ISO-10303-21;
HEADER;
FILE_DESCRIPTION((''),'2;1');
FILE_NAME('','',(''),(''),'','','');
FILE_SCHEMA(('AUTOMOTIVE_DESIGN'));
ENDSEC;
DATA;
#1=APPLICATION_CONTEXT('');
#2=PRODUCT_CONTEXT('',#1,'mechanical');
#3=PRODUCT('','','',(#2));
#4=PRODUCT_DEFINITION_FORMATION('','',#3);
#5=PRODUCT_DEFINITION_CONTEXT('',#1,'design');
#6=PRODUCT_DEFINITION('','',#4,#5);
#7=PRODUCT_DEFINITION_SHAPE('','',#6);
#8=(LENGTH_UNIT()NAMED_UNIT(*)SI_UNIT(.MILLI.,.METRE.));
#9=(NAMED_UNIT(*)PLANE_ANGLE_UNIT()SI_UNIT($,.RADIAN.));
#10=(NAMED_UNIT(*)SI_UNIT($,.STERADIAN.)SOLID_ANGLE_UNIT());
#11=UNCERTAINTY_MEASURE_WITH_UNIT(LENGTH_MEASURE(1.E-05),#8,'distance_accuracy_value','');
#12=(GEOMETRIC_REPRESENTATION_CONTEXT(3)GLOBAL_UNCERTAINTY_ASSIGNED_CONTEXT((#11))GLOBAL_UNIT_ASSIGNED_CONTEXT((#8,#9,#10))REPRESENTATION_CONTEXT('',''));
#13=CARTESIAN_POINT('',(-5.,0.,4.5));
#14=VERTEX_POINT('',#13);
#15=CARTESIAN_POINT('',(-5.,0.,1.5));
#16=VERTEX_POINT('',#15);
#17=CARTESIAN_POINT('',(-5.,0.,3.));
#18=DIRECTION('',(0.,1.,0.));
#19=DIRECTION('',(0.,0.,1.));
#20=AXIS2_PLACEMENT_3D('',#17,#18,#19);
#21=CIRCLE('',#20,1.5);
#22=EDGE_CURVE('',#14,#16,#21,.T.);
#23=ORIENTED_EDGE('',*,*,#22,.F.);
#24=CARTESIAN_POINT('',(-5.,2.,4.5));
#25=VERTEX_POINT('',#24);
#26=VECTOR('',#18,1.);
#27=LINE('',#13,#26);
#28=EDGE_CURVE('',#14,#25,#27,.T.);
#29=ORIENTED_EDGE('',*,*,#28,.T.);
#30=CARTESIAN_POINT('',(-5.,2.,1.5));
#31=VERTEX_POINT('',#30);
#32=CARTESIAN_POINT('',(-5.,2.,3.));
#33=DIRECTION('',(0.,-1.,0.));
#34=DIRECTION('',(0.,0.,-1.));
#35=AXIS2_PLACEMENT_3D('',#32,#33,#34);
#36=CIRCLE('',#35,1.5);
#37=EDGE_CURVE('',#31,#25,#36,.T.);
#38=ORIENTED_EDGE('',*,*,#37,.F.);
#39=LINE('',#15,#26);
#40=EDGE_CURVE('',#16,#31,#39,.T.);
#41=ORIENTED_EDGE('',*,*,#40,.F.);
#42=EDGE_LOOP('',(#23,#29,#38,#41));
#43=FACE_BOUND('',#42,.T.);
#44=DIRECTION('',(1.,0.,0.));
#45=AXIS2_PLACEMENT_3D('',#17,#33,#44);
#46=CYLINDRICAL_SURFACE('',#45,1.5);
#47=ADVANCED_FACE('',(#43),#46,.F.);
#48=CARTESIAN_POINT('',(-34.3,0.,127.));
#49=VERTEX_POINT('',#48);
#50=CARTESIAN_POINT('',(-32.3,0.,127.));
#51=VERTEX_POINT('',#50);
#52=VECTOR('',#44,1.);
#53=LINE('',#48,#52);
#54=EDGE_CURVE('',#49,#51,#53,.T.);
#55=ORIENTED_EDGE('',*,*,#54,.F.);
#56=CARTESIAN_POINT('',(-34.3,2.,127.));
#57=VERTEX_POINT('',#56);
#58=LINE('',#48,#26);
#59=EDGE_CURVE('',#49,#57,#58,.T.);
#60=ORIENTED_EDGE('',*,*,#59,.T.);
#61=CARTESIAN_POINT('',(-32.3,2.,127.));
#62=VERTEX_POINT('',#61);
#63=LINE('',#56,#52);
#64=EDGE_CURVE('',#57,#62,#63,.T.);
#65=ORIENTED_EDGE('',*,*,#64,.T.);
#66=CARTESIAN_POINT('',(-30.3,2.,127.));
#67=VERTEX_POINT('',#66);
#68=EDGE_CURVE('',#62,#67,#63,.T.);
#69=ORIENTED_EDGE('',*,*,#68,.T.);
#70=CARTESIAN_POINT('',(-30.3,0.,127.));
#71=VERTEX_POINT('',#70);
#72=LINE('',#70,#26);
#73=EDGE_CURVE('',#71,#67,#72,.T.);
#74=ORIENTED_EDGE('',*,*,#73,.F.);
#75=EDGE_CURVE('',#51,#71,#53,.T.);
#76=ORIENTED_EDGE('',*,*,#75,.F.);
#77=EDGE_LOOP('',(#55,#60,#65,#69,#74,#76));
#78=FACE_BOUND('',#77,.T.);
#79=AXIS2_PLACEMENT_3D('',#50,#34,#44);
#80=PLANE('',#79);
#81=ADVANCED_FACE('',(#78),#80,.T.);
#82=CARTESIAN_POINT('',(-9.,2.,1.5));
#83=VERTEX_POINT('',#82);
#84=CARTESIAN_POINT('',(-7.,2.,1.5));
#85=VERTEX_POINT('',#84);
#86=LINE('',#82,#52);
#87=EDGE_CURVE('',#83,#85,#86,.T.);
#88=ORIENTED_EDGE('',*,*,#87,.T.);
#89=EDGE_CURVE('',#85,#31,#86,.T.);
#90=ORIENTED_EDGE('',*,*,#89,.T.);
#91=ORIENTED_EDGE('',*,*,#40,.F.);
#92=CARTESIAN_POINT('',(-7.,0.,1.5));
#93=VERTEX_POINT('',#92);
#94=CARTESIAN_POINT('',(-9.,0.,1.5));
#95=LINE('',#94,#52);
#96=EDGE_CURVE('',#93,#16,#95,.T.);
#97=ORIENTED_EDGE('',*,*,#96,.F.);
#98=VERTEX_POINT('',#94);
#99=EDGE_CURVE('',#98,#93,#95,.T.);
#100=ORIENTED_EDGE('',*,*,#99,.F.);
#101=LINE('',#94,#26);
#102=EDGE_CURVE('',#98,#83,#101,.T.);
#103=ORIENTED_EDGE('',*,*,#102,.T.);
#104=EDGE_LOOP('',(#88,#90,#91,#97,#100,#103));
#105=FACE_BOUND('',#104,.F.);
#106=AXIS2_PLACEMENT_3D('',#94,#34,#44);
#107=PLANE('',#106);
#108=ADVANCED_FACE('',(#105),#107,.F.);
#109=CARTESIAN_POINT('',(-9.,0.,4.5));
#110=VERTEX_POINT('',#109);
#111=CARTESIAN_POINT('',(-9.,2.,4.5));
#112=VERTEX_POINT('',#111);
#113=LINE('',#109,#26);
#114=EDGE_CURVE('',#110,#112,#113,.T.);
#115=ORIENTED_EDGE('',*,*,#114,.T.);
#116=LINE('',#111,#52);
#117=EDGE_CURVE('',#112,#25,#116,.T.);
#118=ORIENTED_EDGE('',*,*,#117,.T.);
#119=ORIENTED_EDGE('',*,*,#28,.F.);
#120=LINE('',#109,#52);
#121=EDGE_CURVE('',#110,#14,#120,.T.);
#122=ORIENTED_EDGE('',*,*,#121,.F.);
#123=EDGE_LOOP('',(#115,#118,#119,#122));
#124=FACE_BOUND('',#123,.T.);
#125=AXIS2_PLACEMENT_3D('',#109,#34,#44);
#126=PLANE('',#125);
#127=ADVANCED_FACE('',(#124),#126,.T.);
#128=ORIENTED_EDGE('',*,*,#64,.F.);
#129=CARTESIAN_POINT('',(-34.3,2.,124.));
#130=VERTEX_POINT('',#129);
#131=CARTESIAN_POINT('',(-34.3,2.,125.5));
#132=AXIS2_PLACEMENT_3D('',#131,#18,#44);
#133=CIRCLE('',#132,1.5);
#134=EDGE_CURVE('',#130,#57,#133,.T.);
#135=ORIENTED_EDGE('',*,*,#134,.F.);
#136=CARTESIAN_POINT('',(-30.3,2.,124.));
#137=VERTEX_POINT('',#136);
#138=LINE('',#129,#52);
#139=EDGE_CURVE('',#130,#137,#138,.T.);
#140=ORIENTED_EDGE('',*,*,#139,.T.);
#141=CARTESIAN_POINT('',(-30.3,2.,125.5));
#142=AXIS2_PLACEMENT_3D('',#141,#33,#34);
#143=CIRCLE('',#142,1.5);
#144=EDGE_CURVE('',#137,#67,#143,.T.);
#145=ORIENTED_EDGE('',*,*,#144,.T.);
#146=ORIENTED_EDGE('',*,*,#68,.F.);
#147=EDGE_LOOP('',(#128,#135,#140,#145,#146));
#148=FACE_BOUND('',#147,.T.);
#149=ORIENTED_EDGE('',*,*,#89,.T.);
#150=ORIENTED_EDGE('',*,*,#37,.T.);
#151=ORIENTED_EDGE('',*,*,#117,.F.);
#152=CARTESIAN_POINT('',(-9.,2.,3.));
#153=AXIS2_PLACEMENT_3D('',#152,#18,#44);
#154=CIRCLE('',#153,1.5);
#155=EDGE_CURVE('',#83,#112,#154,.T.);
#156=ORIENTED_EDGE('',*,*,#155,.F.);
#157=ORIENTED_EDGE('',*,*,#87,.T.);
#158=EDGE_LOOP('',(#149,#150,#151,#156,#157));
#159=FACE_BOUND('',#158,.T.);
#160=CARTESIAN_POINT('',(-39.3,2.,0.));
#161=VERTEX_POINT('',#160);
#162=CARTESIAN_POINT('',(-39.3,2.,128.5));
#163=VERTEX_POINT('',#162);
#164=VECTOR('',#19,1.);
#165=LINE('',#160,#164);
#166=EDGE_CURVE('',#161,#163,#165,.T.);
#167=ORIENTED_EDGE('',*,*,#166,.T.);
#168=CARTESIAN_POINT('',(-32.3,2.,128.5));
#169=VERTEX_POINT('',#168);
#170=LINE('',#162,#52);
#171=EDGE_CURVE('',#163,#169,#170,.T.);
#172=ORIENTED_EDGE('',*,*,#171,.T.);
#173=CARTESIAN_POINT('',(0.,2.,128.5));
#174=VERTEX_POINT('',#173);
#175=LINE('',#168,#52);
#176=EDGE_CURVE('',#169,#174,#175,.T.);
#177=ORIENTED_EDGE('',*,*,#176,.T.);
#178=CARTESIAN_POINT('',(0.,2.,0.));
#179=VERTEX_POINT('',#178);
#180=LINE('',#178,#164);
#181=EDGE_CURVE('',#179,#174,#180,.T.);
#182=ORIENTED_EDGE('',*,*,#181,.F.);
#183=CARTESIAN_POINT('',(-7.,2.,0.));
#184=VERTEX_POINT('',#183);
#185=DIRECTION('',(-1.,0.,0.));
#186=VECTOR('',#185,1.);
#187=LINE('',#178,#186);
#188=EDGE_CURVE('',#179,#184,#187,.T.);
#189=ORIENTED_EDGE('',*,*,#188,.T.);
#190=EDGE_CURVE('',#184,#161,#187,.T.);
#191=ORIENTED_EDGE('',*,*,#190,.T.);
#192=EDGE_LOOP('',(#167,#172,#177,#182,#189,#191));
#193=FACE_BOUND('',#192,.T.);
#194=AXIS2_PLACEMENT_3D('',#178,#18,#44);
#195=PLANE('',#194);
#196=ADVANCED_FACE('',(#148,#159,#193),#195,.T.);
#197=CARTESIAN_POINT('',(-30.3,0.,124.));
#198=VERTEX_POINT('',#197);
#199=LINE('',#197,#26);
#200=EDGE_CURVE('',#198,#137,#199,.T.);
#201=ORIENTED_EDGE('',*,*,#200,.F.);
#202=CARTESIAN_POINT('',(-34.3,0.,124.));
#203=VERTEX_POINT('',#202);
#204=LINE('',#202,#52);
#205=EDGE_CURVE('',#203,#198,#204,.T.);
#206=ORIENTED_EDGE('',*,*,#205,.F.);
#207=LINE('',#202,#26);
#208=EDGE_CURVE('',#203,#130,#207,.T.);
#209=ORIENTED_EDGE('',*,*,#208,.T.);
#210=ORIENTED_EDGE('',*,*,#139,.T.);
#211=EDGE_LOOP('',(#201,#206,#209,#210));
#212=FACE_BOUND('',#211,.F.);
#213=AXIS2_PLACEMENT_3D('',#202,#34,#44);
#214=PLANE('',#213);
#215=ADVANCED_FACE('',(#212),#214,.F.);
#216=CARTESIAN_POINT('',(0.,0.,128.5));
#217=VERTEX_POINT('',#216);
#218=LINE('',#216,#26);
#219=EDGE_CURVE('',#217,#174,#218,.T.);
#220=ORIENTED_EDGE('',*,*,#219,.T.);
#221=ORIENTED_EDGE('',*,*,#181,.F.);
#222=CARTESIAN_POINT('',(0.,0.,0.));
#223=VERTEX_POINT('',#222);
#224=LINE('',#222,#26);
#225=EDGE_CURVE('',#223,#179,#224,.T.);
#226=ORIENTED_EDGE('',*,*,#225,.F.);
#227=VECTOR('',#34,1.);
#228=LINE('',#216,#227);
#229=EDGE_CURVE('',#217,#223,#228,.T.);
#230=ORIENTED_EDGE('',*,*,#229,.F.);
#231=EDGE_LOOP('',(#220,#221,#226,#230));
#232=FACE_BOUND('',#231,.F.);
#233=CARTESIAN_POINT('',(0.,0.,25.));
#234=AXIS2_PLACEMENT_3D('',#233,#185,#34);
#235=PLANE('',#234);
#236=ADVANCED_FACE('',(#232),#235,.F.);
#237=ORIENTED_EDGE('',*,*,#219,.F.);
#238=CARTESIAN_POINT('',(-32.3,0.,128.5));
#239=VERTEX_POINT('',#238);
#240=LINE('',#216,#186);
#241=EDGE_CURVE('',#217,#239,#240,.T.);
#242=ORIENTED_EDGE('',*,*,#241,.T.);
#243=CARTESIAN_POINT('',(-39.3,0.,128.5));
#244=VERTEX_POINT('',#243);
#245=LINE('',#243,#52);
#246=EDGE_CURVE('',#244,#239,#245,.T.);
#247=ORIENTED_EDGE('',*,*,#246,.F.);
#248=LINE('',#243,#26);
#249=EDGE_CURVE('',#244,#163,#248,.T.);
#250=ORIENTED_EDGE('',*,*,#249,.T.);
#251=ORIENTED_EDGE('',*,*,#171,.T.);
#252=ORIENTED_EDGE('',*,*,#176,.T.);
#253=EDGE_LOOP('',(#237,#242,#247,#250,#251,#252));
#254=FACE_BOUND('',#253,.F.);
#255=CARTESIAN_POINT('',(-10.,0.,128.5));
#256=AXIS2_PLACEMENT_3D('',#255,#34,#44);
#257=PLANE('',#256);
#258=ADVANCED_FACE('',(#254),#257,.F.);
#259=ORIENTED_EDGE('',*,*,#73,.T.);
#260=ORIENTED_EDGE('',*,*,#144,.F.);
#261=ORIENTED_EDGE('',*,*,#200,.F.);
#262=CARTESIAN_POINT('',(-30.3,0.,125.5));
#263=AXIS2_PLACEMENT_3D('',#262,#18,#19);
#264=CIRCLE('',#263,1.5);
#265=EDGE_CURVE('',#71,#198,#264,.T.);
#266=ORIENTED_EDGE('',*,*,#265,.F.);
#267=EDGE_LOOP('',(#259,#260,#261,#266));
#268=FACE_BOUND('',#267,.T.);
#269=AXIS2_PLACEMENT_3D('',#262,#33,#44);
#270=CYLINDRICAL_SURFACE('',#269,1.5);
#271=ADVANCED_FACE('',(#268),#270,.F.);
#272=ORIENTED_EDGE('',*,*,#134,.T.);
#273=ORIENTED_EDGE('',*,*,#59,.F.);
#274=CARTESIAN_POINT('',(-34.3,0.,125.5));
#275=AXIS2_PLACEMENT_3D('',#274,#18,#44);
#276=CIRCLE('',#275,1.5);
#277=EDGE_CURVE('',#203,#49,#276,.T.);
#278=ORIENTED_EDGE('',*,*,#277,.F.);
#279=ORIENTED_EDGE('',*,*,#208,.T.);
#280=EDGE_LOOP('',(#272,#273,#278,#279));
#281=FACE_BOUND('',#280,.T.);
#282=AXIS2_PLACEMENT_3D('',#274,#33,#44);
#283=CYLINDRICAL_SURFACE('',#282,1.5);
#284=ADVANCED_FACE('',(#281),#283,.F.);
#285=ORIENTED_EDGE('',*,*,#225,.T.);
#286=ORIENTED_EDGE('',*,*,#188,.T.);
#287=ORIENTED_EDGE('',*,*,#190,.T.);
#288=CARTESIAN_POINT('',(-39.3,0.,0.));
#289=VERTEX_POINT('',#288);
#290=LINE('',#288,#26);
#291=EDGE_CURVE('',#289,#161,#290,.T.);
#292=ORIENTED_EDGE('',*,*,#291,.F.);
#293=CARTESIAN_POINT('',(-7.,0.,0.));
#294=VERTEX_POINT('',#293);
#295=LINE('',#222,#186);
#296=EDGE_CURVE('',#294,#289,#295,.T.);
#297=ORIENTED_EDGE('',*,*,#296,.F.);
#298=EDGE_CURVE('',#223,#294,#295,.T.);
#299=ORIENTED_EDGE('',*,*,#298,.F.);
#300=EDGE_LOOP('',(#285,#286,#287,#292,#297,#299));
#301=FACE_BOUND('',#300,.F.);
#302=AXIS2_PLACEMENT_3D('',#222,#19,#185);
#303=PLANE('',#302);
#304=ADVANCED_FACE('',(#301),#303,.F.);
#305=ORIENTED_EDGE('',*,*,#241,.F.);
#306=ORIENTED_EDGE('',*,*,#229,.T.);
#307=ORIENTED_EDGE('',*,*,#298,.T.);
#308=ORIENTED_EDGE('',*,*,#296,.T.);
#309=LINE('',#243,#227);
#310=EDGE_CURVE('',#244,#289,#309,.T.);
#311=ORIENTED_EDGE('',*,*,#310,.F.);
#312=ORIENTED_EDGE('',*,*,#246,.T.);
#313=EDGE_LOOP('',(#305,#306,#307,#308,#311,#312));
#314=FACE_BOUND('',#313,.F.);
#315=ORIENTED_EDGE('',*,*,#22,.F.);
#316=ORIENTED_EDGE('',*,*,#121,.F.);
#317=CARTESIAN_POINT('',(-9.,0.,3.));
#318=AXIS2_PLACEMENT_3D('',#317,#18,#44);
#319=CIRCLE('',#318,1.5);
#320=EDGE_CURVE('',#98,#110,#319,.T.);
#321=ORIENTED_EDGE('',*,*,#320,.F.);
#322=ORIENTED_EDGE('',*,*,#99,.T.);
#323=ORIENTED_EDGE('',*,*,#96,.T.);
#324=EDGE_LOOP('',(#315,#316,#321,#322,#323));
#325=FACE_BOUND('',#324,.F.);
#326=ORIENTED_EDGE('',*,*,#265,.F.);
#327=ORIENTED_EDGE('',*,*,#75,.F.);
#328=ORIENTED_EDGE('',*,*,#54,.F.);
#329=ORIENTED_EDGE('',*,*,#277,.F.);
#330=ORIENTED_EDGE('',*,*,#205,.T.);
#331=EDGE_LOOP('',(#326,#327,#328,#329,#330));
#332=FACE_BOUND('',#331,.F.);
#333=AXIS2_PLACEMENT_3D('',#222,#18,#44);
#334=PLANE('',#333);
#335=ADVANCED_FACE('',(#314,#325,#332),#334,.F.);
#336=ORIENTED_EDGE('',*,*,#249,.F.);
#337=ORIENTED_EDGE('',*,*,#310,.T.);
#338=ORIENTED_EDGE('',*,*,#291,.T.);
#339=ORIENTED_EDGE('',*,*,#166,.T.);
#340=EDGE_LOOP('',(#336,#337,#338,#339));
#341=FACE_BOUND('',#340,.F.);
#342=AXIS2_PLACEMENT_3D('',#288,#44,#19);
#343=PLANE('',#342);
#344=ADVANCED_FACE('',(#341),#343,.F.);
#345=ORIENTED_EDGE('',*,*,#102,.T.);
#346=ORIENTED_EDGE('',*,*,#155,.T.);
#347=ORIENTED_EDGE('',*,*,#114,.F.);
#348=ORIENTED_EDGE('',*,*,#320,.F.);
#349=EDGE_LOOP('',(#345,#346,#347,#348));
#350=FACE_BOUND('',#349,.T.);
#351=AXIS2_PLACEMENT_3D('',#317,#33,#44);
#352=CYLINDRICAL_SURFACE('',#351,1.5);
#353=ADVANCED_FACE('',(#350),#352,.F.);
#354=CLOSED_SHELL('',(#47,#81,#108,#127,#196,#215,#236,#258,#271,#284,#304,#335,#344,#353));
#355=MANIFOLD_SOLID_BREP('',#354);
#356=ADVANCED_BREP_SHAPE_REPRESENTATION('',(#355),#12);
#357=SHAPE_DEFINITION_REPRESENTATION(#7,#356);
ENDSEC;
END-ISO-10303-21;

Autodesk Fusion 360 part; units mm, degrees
sketch "Skizze1" plane through (0, 0, 0) normal (0, 1, 0) x (1, 0, 0)
  line L0 (0, 0) -> (-39.3, 0)
  line L1 (-39.3, 0) -> (-39.3, -128.5)
  line L2 (-39.3, -128.5) -> (0, -128.5)
  line L3 (0, -128.5) -> (0, 0)
  line L4 (0, 0) -> (-7, 0)
  line L5 (-7, 0) -> (-7, -3)
  line L6 (-39.3, -128.5) -> (-32.3, -128.5)
  line L7 (-32.3, -128.5) -> (-32.3, -125.5)
  line L8 (-7, -3) -> (-9, -3)
  line L9 (-7, -3) -> (-5, -3)
  circle A0 centre (-5, -3) radius 1.5
  circle A1 centre (-9, -3) radius 1.5
  line L10 (-9, -3) -> (-9, -1.5)
  line L11 (-9, -1.5) -> (-5, -1.5)
  line L12 (-9, -4.5) -> (-5, -4.5)
  line L13 (-32.3, -125.5) -> (-34.3, -125.5)
  line L14 (-32.3, -125.5) -> (-30.3, -125.5)
  circle A2 centre (-34.3, -125.5) radius 1.5
  circle A3 centre (-30.3, -125.5) radius 1.5
  line L15 (-34.3, -125.5) -> (-34.3, -124)
  line L16 (-30.3, -125.5) -> (-30.3, -124)
  line L17 (-34.3, -124) -> (-30.3, -124)
  line L18 (-34.3, -125.5) -> (-34.3, -127)
  line L19 (-34.3, -127) -> (-30.3, -127)
  line L20 (0, -128.5) -> (-10, -128.5)
  line L21 (-10, -128.5) -> (-10, -16.5842)
  circle A4 centre (-10, -97.2748) radius 3.5
  line L22 (-10, -97.2748) -> (-10, -76.7748)
  circle A5 centre (-10, -76.7748) radius 3.5
  line L23 (-10, -76.7748) -> (-21.5, -76.7748)
  line L24 (-21.5, -76.7748) -> (-21.5, -39.6569)
  line L25 (-21.5, -76.7748) -> (-21.5, -50.7748)
  line L26 (-21.5, -50.7748) -> (-17.1, -50.7748)
  circle A6 centre (-17.1, -50.7748) radius 3.25
  line L27 (-39.3, 0) -> (-39.3, -25)
  line L28 (-39.3, -25) -> (0, -25)
  line L29 (0, -25) -> (-19.65, -25)
  circle A7 centre (-9.825, -25) radius 3.25
  line L30 (-19.65, -25) -> (-39.3, -25)
  circle A8 centre (-29.475, -25) radius 3.25
  dimension "d1" = 39.3
  dimension "d2" = 128.5
  dimension "d3" = 7
  dimension "d4" = 3
  dimension "d5" = 7
  dimension "d6" = 3
  dimension "d7" = 2
  dimension "d8" = 2
  dimension "d9" = 3
  dimension "d10" = 3
  dimension "d11" = 2
  dimension "d12" = 2
  dimension "d13" = 3
  dimension "d14" = 3
  dimension "d15" = 10
  dimension "d16" = 7
  dimension "d17" = 20.5
  dimension "d18" = 7
  dimension "d19" = 11.5
  dimension "d20" = 26
  dimension "d21" = 4.4
  dimension "d22" = 6.5
  dimension "d23" = 25
  dimension "d24" = 6.5
  dimension "d25" = 6.5
extrude "Extrusion1" add sketch "Skizze1" along normal blind 2 contours L0 L1 L3 L4 L27 L28 L29 A7 L30 A8 | L2 L3 L20 L21 A4 L22 A5 L28 L29 A7 | L1 L2 L6 L21 A4 L22 A5 L28 L29 A7 L30 A8
sketch "Skizze2" plane through (0, 2, 0) normal (0, 1, 0) x (-1, 0, 0)
  circle A0 centre (9.825, 25) radius 3.25
  arc A1 (9, 1.5) -> (9, 4.5) centre (9, 3) ccw
  line L0 (9, 1.5) -> (5, 1.5)
  arc A2 (5, 4.5) -> (5, 1.5) centre (5, 3) ccw
  line L1 (5, 4.5) -> (9, 4.5)
  arc A3 (34.3, 124) -> (34.3, 127) centre (34.3, 125.5) ccw
  line L2 (34.3, 124) -> (30.3, 124)
  arc A4 (30.3, 127) -> (30.3, 124) centre (30.3, 125.5) ccw
  line L3 (30.3, 127) -> (34.3, 127)
  circle A5 centre (10, 76.7748) radius 3.5
  circle A6 centre (10, 97.2748) radius 3.5
  circle A7 centre (17.1, 50.7748) radius 3.25
  circle A8 centre (29.475, 25) radius 3.25
  line L4 (0, 128.5) -> (0, 0)
  line L5 (0, 0) -> (39.3, 0)
  line L6 (39.3, 0) -> (39.3, 128.5)
  line L7 (39.3, 128.5) -> (0, 128.5)
extrude "Extrusion2" add sketch "Skizze2" against normal blind 2 contours A0 | A5 | A6 | A7 | A8
